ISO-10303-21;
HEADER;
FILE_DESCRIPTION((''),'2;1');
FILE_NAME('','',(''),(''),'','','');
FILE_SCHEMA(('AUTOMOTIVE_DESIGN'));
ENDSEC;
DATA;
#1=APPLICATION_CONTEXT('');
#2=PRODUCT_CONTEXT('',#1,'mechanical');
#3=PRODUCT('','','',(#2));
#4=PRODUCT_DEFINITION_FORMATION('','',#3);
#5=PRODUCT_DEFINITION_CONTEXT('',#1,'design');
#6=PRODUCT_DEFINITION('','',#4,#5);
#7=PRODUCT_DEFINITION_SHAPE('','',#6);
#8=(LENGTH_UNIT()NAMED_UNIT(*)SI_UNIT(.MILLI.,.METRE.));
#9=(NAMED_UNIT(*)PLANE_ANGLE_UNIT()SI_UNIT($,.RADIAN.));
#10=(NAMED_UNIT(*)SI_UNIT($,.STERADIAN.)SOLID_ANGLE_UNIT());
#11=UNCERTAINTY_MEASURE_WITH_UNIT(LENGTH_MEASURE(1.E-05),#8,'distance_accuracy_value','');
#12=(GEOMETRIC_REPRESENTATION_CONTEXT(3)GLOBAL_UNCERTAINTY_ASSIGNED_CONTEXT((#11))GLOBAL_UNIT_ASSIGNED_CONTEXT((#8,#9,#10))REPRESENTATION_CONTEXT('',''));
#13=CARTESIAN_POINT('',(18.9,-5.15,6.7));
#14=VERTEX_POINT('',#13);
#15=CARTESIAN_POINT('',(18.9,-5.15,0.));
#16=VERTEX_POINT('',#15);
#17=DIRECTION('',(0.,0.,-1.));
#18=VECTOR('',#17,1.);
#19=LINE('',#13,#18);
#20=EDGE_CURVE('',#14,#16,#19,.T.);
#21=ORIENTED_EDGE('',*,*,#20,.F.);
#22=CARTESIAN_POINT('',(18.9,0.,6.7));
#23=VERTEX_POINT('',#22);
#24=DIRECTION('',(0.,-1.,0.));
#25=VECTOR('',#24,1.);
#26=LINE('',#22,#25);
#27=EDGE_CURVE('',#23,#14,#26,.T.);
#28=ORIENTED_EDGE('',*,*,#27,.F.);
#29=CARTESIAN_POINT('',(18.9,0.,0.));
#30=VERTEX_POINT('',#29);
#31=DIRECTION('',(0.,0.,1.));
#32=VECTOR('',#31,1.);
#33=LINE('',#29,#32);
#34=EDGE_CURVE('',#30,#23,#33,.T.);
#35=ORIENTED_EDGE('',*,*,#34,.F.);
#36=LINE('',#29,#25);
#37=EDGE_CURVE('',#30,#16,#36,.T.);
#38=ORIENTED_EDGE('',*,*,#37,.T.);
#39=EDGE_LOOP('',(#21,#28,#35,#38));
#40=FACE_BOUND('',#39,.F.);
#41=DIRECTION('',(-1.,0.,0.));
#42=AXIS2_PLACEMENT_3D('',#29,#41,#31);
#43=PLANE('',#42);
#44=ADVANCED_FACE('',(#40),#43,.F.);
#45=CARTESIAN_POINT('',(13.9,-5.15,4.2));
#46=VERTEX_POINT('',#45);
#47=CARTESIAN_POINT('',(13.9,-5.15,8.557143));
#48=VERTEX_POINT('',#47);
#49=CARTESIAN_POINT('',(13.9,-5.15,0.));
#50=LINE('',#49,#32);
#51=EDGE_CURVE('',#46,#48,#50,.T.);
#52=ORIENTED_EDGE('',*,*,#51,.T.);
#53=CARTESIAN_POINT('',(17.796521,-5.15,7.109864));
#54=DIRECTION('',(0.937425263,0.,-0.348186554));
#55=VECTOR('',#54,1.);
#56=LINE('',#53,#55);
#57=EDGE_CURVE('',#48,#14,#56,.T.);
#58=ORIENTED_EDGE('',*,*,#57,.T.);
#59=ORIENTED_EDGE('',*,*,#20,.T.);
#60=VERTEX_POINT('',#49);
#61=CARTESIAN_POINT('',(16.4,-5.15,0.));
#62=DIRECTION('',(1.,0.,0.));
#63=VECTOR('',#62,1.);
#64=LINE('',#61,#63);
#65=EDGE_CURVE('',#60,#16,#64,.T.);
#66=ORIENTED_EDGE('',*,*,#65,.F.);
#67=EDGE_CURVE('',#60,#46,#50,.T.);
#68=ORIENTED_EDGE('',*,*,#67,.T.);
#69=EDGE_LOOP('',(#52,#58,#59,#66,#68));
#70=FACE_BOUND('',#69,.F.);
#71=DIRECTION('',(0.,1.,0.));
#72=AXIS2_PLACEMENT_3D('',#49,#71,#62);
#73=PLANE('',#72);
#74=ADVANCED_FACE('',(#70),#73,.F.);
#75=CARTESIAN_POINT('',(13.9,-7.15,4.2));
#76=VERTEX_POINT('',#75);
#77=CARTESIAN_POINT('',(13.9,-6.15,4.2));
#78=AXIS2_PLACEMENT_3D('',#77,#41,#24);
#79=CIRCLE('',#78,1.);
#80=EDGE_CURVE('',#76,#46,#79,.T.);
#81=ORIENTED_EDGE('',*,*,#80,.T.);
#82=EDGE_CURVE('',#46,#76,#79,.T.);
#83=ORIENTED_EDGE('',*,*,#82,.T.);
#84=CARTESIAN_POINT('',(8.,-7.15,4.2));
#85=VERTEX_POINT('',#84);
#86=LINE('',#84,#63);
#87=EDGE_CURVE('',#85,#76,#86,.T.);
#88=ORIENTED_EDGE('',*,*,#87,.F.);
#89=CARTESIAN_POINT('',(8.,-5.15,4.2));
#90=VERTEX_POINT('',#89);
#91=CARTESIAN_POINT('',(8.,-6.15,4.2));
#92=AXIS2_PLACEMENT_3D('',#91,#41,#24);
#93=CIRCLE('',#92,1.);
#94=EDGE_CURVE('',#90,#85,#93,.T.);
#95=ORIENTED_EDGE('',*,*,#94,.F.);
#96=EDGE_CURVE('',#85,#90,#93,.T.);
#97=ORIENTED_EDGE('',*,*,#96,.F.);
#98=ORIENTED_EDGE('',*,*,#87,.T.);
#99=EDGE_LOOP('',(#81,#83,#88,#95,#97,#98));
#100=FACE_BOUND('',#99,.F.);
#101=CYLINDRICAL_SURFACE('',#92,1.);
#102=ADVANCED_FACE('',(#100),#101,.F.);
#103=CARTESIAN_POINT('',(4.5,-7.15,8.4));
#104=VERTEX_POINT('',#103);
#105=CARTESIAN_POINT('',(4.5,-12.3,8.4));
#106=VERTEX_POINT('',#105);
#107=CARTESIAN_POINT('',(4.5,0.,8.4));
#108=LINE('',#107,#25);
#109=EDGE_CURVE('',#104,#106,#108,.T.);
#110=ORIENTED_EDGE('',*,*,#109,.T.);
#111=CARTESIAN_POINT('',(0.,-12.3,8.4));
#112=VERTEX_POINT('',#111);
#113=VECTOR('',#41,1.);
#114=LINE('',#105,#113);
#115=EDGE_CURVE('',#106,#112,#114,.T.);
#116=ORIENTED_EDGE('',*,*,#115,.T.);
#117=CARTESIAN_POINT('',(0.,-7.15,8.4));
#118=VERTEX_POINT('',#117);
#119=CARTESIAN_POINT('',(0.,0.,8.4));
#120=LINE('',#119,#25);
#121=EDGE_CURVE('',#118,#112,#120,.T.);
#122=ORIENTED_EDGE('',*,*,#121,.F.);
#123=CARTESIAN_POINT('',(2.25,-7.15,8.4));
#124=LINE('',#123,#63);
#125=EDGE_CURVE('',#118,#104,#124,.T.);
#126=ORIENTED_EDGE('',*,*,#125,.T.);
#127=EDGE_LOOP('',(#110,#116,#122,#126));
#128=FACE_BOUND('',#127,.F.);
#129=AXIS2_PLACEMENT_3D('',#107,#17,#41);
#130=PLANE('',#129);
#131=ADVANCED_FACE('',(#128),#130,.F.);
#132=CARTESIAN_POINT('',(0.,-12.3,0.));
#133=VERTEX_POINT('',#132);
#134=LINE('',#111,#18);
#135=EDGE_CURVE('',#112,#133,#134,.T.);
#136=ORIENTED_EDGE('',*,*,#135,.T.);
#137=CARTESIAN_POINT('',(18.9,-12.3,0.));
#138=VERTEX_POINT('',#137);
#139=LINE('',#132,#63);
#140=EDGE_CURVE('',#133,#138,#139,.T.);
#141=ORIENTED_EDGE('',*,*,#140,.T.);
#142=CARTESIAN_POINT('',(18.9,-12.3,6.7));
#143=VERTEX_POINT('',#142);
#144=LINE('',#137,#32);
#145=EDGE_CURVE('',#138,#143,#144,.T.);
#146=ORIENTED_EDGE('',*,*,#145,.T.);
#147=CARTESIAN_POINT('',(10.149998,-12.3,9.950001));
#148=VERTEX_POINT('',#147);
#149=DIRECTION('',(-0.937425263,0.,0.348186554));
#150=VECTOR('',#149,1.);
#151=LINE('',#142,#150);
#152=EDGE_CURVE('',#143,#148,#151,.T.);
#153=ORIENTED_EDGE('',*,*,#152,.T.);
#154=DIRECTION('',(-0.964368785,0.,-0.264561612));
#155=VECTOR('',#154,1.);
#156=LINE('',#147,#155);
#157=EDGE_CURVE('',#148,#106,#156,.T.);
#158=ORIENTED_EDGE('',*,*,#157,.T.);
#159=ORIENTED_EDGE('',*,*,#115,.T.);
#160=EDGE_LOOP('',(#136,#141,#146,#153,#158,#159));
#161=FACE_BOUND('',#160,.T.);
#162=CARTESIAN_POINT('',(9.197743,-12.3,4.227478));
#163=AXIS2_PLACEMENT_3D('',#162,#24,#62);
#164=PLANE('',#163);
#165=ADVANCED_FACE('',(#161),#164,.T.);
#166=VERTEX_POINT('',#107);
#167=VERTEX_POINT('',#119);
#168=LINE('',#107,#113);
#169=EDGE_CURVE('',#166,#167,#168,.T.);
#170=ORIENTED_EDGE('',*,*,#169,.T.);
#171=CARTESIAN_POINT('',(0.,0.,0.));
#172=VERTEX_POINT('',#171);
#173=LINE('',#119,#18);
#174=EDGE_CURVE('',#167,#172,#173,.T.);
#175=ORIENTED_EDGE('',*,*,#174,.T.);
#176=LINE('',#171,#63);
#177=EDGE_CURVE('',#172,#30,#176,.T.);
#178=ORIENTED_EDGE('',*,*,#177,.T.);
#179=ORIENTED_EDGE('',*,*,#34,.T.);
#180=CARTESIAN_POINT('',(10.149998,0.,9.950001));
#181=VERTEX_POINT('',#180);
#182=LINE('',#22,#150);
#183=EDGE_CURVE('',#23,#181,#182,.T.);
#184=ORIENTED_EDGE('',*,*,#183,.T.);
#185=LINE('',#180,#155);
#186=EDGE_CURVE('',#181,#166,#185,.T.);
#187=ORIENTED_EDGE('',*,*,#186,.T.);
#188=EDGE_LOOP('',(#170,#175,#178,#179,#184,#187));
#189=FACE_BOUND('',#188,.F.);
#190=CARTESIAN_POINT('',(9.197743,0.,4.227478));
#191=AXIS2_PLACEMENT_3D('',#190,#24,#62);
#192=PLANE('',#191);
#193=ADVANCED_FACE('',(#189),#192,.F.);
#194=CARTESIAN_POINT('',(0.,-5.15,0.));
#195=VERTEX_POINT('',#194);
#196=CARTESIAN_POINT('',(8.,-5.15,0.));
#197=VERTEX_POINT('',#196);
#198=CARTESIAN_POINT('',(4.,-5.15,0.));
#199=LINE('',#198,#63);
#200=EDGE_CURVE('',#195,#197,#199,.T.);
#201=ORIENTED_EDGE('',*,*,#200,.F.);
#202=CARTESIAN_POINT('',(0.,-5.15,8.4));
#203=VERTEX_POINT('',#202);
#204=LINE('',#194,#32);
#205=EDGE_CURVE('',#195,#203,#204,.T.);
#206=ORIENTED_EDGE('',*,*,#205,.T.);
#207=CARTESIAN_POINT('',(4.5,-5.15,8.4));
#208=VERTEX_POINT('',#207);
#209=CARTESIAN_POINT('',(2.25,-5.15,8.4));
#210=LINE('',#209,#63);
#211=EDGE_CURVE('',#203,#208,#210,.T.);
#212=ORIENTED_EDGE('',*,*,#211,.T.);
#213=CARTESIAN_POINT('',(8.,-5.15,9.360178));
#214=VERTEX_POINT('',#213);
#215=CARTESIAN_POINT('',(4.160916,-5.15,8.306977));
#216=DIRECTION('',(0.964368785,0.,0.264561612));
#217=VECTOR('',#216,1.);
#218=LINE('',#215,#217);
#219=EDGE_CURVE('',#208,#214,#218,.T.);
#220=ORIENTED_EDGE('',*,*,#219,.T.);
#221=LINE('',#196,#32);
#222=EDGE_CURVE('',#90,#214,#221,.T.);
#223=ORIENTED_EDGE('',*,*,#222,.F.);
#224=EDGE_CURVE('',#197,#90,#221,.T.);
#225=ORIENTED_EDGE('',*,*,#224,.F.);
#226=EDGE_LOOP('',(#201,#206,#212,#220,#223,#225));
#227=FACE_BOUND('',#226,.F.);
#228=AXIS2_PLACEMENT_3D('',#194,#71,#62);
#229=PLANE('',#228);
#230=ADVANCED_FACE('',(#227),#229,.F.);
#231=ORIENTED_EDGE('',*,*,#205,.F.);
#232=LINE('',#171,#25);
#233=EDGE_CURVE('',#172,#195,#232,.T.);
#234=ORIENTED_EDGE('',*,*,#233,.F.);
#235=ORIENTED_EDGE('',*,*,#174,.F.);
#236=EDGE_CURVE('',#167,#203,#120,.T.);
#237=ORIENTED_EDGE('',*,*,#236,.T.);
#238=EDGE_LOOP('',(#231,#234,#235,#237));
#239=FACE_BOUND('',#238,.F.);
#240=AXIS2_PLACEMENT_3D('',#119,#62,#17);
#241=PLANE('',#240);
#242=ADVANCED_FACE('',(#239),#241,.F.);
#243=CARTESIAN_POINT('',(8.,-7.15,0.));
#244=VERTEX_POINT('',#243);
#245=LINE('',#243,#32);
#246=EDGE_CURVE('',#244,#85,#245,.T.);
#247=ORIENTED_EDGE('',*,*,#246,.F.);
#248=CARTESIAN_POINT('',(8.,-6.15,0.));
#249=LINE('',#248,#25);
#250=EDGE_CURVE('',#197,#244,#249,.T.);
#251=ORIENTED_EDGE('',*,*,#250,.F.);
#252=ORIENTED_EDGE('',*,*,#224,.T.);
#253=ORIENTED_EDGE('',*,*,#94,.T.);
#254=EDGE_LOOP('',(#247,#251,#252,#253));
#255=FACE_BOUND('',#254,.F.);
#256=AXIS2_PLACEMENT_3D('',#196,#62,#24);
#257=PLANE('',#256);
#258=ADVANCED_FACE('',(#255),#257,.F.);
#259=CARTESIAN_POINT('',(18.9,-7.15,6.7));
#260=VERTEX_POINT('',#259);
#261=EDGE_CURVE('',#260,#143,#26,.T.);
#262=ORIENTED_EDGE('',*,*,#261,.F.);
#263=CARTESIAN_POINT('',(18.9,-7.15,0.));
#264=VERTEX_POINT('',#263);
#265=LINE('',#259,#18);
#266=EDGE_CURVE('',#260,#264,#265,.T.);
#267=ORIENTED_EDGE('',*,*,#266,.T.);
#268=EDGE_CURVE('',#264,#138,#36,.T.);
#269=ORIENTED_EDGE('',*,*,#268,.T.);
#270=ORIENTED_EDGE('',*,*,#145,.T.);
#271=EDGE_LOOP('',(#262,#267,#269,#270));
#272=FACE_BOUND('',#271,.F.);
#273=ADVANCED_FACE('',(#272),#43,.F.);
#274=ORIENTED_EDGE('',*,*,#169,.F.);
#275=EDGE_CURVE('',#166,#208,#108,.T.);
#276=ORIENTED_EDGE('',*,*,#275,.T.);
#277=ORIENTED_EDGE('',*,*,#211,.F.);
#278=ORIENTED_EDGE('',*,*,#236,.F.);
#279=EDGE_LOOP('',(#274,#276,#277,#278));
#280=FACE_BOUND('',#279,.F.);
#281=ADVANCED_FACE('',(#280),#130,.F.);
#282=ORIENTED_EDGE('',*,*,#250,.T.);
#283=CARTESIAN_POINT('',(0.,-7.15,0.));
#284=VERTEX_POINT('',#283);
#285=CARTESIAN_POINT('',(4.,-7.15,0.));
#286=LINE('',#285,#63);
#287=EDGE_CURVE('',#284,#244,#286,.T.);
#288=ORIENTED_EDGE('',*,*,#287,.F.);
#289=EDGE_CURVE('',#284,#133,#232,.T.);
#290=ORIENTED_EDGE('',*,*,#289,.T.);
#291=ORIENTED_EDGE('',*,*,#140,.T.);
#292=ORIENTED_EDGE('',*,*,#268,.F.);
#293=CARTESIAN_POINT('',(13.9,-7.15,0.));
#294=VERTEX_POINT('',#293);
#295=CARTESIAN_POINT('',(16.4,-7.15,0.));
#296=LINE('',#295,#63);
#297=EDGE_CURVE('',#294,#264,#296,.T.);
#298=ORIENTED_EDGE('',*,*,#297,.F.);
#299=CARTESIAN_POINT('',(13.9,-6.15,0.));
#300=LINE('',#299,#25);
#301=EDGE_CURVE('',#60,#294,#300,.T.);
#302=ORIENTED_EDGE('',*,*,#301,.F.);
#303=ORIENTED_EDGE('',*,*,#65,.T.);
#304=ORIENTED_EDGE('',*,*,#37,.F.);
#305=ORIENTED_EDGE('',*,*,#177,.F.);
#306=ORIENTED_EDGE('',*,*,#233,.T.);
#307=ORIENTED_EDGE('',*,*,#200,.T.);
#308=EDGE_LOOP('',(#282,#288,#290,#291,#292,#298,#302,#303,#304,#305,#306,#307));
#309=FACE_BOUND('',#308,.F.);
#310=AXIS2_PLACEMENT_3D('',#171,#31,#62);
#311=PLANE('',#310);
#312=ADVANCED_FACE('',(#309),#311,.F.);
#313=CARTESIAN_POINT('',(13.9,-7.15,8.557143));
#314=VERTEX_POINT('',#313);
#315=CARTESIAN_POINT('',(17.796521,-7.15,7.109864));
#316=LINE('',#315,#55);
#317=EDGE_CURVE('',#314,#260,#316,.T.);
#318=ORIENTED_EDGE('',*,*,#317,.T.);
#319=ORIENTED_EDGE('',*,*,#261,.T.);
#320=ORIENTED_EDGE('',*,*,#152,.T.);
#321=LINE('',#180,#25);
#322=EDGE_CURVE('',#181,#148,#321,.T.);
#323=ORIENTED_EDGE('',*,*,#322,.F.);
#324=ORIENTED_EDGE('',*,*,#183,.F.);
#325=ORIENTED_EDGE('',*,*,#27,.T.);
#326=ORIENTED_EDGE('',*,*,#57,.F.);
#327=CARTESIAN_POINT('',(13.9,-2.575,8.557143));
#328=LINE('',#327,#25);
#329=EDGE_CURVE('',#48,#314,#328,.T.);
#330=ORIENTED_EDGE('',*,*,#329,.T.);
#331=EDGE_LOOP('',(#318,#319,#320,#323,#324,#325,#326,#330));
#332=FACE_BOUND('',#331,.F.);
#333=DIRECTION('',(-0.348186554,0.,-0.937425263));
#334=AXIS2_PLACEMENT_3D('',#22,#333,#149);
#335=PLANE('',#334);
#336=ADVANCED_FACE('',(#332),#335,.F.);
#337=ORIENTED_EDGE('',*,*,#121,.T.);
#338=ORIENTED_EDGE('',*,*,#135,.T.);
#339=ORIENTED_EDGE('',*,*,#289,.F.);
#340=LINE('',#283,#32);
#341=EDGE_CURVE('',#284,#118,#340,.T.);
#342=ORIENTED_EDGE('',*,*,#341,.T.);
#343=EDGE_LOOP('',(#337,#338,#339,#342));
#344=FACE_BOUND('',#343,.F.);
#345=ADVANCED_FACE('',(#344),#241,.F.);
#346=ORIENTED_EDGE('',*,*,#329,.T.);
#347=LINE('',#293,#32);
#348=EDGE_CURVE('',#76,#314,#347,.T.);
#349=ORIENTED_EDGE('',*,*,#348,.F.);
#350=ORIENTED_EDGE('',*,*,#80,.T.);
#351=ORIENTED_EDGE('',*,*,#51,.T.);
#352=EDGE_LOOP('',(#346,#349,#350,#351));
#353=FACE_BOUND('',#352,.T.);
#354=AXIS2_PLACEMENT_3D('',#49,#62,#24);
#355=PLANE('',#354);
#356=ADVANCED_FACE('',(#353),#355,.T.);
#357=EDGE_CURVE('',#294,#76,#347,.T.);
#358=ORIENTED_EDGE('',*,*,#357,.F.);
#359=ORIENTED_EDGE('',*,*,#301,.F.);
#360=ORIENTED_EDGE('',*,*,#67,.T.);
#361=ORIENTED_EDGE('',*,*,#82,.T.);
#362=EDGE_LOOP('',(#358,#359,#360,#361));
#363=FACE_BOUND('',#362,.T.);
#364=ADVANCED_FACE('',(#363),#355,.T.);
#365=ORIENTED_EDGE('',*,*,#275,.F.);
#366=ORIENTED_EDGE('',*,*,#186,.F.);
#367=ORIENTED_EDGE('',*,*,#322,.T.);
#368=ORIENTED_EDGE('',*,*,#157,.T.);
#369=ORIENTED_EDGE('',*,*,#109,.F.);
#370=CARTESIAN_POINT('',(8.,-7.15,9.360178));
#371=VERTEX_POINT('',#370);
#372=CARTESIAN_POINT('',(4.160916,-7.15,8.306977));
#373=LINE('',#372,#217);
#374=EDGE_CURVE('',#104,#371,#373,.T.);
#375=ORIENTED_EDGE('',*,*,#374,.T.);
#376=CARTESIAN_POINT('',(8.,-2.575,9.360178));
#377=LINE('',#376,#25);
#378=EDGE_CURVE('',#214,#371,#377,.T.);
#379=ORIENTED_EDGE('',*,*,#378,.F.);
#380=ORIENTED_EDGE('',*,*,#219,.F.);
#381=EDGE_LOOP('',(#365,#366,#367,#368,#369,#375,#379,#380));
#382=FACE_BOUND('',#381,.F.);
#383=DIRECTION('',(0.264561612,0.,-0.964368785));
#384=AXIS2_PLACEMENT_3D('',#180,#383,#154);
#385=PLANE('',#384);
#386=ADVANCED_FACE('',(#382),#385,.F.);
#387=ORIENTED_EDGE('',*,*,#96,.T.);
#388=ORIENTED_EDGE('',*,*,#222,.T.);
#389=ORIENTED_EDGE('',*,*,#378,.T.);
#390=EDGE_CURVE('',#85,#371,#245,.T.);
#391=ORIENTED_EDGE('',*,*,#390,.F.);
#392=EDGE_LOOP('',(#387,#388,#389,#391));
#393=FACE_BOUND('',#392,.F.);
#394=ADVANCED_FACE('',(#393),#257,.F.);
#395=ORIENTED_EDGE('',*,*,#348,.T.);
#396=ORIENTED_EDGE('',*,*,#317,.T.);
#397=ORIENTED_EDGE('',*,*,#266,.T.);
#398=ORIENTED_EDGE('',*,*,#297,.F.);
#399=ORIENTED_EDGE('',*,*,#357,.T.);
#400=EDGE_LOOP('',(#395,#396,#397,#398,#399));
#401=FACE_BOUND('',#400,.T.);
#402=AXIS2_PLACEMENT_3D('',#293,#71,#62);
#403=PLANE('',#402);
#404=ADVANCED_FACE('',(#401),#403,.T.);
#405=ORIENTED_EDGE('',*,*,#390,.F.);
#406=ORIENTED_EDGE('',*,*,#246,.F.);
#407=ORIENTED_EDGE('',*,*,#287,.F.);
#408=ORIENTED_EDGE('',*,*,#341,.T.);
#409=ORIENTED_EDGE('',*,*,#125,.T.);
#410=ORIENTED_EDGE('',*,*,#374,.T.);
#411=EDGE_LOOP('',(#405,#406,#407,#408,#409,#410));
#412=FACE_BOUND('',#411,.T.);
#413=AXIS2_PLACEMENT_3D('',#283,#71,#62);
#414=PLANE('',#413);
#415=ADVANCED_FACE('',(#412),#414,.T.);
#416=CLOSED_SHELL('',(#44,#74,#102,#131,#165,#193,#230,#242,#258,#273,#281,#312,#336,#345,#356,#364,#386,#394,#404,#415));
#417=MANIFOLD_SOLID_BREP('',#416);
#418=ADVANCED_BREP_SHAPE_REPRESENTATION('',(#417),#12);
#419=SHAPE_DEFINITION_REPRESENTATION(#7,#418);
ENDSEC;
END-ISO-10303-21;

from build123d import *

# Parameters (mm, degrees)
F1_DEPTH = 12.3
F2_W     = 8
F2_H     = 2
F2_W_2   = 5
F3_DEPTH = 9.951001
F5_DEPTH = 10.901


with BuildPart() as f1:
    # F0 (on Front) → F1 (new body)
    with BuildSketch(Plane.XZ):
        Polygon((4.5, 8.4), (0, 8.4), (0, 0), (18.9, 0), (18.9, 6.7), (10.149998, 9.950001), align=None)
    extrude(amount=F1_DEPTH)

    # F2 (on face) → F3 (cut, through all)
    with BuildSketch(Plane(origin=(0, 0, 0), x_dir=(1, 0, 0), z_dir=(0, 0, -1))):
        with Locations((4, 6.15)):
            Rectangle(F2_W, F2_H)
        with Locations((16.4, 6.15)):
            Rectangle(F2_W_2, F2_H)
    extrude(amount=-F3_DEPTH, mode=Mode.SUBTRACT)

    # F4 (on face) → F5 (cut, through all)
    with BuildSketch(Plane(origin=(8, 0, 0), x_dir=(0, -1, 0), z_dir=(-1, 0, 0))):
        with BuildLine():
            ThreePointArc((5.15, 4.2), (6.15, 3.2), (7.15, 4.2))
            ThreePointArc((7.15, 4.2), (6.15, 5.2), (5.15, 4.2))
        make_face()
    extrude(amount=-F5_DEPTH, mode=Mode.SUBTRACT)


solid = f1.part
